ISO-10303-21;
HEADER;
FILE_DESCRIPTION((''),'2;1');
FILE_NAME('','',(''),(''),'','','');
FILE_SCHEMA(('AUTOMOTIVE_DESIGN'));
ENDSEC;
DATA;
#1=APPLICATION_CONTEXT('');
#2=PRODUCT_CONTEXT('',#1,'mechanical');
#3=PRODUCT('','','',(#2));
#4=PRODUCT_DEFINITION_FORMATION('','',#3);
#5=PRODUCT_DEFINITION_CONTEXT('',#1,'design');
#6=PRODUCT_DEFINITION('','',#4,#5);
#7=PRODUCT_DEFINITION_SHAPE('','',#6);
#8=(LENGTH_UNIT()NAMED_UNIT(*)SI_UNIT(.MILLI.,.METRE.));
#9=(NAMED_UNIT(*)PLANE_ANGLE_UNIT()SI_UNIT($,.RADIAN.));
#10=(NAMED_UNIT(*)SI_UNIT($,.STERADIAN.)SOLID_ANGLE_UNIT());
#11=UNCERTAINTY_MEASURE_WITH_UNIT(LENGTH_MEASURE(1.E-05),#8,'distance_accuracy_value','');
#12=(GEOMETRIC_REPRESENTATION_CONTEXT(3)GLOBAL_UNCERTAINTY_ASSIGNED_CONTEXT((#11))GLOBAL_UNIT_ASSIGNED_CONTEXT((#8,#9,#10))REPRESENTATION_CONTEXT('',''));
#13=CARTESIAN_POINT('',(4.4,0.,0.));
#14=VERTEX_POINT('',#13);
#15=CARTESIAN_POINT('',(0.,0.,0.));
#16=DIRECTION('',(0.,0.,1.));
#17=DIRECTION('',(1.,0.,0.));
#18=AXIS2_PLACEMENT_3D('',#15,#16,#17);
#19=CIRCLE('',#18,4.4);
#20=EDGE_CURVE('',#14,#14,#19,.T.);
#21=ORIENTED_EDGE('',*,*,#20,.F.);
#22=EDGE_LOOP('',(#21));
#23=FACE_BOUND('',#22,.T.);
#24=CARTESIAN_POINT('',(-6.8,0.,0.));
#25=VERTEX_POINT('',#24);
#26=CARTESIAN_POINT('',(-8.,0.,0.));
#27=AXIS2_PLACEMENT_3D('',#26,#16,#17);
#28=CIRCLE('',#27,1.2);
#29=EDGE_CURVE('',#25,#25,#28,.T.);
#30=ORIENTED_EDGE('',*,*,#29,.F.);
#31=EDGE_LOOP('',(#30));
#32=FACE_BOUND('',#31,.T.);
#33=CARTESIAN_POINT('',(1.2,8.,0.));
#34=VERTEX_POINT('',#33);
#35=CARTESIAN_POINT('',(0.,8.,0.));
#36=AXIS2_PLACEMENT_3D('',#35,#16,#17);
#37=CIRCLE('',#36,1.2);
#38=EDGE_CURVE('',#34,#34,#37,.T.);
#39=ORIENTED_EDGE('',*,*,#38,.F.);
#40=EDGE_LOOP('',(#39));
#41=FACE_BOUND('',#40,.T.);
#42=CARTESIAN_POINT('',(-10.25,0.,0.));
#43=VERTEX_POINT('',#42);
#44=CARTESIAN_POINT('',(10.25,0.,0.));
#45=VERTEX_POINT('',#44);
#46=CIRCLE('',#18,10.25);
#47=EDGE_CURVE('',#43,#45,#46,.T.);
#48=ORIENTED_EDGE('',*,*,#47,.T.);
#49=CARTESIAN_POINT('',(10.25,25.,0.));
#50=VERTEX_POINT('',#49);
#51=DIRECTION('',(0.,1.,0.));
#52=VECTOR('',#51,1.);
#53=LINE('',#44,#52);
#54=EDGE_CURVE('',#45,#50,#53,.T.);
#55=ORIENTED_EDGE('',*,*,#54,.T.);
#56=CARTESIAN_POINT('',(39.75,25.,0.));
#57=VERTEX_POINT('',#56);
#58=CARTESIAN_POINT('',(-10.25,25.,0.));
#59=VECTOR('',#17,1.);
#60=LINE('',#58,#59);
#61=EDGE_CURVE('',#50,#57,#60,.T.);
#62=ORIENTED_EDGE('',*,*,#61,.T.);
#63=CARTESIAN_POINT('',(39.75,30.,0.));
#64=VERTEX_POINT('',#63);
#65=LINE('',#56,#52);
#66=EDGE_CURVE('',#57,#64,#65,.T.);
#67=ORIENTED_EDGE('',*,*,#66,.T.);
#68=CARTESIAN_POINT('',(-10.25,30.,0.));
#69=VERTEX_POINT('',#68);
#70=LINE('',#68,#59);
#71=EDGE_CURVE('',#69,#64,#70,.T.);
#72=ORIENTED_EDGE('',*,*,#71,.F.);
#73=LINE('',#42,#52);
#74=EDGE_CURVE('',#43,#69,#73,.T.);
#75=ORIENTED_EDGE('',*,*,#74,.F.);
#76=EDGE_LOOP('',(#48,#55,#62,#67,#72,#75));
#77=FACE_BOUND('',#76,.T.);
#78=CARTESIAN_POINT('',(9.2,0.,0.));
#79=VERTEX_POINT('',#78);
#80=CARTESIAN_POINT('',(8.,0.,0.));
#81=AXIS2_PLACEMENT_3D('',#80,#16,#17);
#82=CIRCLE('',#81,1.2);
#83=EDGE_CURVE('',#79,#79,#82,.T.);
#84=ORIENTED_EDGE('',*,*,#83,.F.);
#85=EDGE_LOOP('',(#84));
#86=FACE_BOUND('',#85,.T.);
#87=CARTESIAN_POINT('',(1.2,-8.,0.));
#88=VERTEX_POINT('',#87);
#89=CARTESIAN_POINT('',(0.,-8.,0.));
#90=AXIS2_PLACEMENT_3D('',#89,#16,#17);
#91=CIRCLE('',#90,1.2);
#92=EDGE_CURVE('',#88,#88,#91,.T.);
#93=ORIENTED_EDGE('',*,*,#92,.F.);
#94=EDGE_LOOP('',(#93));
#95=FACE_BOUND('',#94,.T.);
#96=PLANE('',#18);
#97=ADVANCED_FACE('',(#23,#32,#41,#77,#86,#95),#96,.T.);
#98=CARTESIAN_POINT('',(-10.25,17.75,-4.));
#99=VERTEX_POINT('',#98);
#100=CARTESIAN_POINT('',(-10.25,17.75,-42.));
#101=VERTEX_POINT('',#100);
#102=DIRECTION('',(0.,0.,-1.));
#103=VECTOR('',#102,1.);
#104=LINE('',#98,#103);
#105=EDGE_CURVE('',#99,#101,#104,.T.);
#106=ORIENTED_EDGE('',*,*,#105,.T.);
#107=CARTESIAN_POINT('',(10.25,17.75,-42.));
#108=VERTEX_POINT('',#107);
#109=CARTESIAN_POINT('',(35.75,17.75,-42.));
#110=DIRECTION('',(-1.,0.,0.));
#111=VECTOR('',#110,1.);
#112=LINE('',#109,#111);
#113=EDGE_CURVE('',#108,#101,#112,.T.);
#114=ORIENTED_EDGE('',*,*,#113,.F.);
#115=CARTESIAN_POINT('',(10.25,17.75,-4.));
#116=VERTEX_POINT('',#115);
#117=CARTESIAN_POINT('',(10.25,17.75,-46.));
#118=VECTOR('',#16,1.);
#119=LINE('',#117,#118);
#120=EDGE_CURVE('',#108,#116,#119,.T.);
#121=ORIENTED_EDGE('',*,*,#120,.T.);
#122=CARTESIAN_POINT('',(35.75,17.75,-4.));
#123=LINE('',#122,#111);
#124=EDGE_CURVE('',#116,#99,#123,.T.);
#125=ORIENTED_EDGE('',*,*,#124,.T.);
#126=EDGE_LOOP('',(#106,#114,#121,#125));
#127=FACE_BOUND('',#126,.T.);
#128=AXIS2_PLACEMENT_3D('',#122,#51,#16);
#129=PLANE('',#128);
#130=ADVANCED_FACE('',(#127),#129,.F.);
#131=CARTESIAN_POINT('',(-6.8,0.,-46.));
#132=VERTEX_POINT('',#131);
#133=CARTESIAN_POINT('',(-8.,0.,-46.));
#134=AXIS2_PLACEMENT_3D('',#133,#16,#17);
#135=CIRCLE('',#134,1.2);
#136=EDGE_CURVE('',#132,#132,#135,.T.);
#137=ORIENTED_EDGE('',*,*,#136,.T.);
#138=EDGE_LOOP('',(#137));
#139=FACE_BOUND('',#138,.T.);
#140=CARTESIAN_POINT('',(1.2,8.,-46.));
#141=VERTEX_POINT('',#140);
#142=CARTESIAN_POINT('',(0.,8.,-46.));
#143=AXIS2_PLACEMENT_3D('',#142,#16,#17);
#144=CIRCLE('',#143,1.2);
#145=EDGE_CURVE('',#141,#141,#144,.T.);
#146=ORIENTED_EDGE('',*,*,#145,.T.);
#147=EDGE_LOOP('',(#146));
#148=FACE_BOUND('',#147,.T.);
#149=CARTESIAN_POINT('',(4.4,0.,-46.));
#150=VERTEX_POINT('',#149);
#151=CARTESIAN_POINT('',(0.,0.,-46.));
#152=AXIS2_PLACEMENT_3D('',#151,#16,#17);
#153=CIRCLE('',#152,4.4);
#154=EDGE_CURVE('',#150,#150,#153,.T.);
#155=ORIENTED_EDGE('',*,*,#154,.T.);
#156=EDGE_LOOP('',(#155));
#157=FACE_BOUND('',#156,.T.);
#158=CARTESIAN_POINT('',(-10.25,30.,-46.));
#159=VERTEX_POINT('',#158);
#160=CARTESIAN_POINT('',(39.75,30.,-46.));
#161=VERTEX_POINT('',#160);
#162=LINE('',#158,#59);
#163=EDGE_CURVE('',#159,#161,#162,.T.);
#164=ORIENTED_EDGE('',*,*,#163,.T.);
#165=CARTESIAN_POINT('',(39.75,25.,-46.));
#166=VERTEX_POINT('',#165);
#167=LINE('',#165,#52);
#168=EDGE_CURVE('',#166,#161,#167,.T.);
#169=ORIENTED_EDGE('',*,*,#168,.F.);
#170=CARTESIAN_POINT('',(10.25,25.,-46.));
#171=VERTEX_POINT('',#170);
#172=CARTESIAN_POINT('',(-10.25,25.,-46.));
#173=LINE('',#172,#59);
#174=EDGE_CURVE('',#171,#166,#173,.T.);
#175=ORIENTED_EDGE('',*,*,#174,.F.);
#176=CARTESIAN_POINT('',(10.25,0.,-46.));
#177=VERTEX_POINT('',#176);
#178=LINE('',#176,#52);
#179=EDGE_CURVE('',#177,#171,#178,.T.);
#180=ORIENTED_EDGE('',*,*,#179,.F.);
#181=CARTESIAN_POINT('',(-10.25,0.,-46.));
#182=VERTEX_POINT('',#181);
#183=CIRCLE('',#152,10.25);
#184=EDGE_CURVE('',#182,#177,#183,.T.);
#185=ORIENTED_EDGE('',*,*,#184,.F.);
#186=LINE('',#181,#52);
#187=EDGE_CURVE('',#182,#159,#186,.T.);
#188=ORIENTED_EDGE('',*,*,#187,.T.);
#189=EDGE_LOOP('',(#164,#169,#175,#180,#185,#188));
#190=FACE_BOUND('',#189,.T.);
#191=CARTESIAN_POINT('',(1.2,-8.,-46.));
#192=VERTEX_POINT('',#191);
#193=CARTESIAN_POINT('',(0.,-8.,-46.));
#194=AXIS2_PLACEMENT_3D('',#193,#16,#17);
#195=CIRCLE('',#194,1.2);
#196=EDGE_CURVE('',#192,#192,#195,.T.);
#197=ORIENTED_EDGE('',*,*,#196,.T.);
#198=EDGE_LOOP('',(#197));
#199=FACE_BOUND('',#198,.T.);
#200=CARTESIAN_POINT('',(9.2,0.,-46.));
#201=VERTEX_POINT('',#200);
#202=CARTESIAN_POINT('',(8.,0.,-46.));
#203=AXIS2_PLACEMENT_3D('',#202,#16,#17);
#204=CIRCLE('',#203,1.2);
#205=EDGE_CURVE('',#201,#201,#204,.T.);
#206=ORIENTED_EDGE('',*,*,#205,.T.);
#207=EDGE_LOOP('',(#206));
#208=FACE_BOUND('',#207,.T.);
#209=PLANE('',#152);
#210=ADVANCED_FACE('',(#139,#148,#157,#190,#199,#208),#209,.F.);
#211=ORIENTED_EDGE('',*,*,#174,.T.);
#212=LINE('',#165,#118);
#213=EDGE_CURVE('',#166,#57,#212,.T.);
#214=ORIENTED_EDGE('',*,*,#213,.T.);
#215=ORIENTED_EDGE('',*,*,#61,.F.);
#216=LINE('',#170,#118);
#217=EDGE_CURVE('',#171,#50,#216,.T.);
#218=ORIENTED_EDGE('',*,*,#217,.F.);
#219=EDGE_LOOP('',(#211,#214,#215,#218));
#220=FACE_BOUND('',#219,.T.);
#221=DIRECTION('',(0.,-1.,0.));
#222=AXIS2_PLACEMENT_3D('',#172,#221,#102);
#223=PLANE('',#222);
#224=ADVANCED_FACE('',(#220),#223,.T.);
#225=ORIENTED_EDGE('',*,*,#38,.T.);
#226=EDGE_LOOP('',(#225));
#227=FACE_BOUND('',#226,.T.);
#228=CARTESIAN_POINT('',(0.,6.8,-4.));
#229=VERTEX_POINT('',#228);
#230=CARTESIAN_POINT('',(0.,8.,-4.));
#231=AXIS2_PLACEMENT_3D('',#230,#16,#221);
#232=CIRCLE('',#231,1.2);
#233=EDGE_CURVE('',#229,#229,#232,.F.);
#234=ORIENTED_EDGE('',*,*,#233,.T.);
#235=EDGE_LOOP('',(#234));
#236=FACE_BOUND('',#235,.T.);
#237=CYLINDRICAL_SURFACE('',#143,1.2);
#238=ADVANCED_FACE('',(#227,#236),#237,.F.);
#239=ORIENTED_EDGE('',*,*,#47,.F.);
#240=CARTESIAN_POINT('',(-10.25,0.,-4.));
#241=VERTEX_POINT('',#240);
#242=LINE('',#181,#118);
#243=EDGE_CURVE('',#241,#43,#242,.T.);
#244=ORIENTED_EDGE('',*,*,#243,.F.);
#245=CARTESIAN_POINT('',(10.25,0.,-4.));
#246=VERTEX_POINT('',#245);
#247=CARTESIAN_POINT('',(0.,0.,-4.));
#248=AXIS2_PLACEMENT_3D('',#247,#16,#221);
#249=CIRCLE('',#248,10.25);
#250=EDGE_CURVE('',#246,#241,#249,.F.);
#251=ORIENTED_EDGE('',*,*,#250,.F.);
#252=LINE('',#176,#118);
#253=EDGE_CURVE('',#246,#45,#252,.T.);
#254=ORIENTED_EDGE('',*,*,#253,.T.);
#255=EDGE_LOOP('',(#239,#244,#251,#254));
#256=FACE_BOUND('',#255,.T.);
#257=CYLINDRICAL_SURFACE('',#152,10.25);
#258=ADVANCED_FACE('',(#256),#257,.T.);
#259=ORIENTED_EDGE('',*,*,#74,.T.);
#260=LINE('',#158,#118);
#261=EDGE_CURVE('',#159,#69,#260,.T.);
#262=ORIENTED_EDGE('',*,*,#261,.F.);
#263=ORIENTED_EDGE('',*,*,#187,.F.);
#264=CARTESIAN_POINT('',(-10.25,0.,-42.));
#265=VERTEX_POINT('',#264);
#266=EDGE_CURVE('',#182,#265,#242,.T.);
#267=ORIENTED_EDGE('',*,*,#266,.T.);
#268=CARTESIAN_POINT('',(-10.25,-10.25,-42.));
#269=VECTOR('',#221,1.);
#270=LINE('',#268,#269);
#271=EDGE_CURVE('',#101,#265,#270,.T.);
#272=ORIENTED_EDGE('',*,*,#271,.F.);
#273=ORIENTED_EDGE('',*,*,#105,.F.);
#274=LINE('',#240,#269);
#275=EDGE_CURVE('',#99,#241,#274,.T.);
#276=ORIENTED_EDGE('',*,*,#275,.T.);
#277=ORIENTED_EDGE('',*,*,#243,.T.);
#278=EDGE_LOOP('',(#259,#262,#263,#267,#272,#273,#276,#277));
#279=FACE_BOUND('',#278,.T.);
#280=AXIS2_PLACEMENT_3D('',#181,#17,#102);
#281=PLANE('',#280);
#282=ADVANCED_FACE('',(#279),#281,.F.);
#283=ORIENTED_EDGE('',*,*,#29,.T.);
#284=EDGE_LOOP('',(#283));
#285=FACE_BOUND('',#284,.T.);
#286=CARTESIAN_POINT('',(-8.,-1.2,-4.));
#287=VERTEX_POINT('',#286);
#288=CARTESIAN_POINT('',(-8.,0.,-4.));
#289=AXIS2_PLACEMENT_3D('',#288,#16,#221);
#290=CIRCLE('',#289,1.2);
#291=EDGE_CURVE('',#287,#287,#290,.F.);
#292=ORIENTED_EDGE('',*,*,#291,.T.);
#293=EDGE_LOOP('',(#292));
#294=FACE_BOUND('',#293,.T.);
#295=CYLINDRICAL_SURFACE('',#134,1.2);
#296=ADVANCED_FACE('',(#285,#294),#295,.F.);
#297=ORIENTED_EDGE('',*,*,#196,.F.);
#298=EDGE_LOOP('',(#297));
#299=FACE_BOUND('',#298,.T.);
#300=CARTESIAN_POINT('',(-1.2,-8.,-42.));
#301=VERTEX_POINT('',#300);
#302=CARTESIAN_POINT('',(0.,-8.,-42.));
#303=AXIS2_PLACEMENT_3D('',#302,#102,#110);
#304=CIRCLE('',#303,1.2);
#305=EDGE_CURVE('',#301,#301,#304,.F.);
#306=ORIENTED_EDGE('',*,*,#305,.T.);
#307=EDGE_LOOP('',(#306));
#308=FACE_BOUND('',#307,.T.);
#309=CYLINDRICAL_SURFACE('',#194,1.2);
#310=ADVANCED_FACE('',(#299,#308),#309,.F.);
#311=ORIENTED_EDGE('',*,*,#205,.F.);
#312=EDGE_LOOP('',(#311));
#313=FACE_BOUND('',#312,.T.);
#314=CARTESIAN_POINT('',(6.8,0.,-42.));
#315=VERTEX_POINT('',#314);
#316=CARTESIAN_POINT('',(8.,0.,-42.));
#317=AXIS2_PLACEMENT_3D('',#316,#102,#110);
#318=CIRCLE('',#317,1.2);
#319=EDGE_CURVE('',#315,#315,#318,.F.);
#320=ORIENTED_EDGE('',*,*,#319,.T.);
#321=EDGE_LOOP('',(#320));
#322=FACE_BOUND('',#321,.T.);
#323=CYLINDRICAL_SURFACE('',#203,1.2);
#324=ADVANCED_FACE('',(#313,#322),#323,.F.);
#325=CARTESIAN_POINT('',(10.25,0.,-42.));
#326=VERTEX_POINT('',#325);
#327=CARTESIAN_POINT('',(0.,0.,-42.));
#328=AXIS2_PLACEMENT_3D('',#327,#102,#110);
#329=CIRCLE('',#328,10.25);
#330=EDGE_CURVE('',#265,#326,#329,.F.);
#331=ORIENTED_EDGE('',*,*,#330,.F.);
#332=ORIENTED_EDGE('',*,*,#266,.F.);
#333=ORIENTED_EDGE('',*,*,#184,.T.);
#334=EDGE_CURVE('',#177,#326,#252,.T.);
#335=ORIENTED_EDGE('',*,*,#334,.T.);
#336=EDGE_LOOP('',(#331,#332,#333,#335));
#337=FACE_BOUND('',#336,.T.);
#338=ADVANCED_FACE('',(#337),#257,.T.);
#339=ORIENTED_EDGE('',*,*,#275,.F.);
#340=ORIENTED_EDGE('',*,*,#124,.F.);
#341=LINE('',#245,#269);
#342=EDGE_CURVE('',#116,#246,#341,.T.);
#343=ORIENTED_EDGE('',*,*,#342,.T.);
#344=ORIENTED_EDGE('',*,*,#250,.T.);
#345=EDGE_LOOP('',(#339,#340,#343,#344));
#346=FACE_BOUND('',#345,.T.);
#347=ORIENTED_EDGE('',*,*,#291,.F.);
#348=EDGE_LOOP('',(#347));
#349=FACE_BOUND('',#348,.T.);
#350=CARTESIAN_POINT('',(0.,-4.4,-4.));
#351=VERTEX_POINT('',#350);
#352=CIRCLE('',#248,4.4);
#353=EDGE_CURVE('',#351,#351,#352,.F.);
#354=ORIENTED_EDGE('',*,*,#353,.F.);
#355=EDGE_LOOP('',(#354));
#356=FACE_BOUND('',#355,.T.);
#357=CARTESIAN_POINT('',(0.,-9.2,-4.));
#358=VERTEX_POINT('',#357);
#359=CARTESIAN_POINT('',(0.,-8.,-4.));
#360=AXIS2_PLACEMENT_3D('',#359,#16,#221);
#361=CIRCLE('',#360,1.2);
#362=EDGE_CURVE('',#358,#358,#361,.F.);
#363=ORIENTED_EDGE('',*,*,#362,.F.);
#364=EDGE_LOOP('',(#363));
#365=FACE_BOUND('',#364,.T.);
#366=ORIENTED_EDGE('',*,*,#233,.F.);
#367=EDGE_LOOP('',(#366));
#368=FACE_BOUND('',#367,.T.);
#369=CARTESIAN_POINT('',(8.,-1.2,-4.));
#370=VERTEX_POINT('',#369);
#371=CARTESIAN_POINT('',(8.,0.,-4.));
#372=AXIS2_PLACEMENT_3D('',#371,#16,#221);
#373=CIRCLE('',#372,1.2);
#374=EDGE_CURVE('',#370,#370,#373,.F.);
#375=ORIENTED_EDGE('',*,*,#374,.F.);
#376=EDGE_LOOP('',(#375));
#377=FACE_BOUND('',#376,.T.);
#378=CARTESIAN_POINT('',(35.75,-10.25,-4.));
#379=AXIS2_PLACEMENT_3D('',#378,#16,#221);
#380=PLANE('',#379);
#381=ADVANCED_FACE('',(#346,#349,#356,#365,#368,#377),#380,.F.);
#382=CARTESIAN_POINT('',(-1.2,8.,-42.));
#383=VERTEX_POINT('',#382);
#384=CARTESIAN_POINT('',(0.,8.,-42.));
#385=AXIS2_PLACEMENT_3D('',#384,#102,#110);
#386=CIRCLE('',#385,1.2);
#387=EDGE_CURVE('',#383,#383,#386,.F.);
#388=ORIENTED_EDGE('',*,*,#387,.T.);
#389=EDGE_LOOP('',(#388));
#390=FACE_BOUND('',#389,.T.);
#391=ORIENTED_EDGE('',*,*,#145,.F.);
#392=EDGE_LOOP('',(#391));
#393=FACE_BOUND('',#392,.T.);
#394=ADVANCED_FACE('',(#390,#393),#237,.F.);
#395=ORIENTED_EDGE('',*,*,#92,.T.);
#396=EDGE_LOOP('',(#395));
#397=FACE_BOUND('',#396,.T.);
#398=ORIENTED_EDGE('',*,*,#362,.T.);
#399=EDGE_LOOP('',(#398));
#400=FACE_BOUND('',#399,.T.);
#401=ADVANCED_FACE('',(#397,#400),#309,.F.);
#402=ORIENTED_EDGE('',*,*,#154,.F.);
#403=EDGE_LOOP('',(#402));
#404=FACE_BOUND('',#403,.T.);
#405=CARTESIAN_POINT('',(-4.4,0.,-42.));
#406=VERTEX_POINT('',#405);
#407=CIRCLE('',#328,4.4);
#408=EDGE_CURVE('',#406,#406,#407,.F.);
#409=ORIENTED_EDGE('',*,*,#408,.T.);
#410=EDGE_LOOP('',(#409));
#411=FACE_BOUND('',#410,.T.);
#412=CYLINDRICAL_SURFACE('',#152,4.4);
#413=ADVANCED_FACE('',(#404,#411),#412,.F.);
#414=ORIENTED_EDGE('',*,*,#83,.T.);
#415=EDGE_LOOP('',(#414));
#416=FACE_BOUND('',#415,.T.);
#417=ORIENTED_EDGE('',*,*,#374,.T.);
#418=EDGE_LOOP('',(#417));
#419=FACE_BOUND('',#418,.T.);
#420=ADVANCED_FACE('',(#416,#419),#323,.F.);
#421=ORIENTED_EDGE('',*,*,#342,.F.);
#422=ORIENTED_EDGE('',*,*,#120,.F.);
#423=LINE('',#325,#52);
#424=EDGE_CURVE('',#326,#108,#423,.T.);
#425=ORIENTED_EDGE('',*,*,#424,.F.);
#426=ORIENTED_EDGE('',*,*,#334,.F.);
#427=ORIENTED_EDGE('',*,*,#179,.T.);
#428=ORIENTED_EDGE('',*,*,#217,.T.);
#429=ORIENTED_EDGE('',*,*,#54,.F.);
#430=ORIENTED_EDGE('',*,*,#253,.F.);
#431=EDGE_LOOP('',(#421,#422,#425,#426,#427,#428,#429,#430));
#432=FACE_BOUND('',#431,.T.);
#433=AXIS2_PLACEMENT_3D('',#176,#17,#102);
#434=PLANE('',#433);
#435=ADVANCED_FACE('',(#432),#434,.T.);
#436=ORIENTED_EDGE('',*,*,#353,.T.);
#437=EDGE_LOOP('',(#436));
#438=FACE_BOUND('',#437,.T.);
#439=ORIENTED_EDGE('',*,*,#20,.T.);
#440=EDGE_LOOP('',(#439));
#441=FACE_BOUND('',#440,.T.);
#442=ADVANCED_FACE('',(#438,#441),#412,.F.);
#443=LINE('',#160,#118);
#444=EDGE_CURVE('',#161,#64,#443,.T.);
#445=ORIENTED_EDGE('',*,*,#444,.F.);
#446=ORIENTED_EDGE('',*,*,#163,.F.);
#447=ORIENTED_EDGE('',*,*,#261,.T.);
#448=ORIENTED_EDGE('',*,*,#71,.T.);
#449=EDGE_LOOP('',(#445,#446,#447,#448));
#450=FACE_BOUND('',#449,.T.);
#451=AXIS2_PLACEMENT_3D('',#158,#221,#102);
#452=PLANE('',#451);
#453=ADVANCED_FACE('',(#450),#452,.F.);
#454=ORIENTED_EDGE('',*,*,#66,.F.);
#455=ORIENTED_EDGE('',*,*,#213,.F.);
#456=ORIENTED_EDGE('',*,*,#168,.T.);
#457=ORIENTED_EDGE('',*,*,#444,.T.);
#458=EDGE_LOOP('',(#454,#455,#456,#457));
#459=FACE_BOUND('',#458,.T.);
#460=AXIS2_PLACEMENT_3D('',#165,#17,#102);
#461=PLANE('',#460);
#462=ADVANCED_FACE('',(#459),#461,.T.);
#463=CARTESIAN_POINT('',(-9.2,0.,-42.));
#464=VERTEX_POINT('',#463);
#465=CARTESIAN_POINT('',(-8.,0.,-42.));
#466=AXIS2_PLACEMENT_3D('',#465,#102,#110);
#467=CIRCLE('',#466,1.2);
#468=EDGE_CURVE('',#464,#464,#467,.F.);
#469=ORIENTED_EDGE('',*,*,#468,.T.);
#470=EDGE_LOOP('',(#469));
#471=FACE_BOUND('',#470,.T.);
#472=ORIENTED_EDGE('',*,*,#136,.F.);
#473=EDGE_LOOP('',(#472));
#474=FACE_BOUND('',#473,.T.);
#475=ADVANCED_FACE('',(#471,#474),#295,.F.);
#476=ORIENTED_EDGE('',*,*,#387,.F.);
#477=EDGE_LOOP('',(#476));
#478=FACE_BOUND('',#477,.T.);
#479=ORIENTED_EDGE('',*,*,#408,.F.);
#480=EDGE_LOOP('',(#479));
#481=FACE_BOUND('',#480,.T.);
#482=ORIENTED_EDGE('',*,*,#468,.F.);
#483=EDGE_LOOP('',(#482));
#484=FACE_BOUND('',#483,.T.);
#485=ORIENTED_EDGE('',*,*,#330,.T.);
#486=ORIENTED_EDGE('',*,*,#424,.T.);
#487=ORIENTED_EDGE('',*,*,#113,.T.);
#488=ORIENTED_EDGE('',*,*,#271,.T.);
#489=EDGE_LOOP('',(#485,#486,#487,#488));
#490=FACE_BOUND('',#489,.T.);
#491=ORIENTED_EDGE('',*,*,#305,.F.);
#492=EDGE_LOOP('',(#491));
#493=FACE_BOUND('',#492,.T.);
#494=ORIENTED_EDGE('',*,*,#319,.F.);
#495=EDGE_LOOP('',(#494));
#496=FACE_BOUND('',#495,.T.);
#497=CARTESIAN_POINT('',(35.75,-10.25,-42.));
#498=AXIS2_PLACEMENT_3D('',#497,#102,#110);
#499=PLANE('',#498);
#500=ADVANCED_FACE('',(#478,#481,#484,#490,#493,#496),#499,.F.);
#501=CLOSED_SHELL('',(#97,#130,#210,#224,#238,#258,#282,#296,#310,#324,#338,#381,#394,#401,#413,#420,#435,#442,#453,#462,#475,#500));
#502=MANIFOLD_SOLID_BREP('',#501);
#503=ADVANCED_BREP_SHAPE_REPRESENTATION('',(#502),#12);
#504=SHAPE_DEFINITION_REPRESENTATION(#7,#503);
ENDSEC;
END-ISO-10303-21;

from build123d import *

# Parameters (mm, degrees)
SKETCH1_W           = 50
SKETCH1_H           = 5
BOSS_EXTRUDE1_DEPTH = 46
SKETCH2_W           = 38
SKETCH2_H           = 28
CUT_EXTRUDE1_DEPTH  = 46


with BuildPart() as part:
    # Sketch1 → Boss-Extrude1 (new body)
    with BuildSketch(Plane.XY):
        with BuildLine():
            ThreePointArc((-10.25, 0), (0, 10.25), (10.25, 0))
            Line((10.25, 0), (10.25, 25))
            Line((10.25, 25), (-10.25, 25))
            Line((-10.25, 25), (-10.25, 0))
        make_face()
        with BuildLine():
            Line((9.2, 0), (10.25, 0))
            ThreePointArc((10.25, 0), (0, 10.25), (-10.25, 0))
            Line((-10.25, 0), (-9.2, 0))
            ThreePointArc((-9.2, 0), (-8.816088231, 0.879772698), (-7.91, 1.196620241))
            ThreePointArc((-7.91, 1.196620241), (-5.656854249, 5.656854249), (-1.196620241, 7.91))
            ThreePointArc((-1.196620241, 7.91), (-0.045031719, 9.199154762), (1.2, 8))
            ThreePointArc((1.2, 8), (1.199154762, 7.954968281), (1.196620241, 7.91))
            ThreePointArc((1.196620241, 7.91), (5.656854249, 5.656854249), (7.91, 1.196620241))
            ThreePointArc((7.91, 1.196620241), (8.816088231, 0.879772698), (9.2, 0))
        make_face()
        with BuildLine():
            ThreePointArc((6.8, 0), (7.120227302, 0.816088231), (7.91, 1.196620241))
            ThreePointArc((7.91, 1.196620241), (5.656854249, 5.656854249), (1.196620241, 7.91))
            ThreePointArc((1.196620241, 7.91), (0, 6.8), (-1.196620241, 7.91))
            ThreePointArc((-1.196620241, 7.91), (-5.656854249, 5.656854249), (-7.91, 1.196620241))
            ThreePointArc((-7.91, 1.196620241), (-7.120227302, 0.816088231), (-6.8, 0))
            Line((-6.8, 0), (-4.4, 0))
            ThreePointArc((-4.4, 0), (0, 4.4), (4.4, 0))
            Line((4.4, 0), (6.8, 0))
        make_face()
        with BuildLine():
            ThreePointArc((-10.25, 0), (0, -10.25), (10.25, 0))
            Line((10.25, 0), (9.2, 0))
            ThreePointArc((9.2, 0), (8.816088231, -0.879772698), (7.91, -1.196620241))
            ThreePointArc((7.91, -1.196620241), (5.656854249, -5.656854249), (1.196620241, -7.91))
            ThreePointArc((1.196620241, -7.91), (1.199154762, -7.954968281), (1.2, -8))
            ThreePointArc((1.2, -8), (-0.045031719, -9.199154762), (-1.196620241, -7.91))
            ThreePointArc((-1.196620241, -7.91), (-5.656854249, -5.656854249), (-7.91, -1.196620241))
            ThreePointArc((-7.91, -1.196620241), (-8.816088231, -0.879772698), (-9.2, 0))
            Line((-9.2, 0), (-10.25, 0))
        make_face()
        with BuildLine():
            ThreePointArc((1.196620241, -7.91), (5.656854249, -5.656854249), (7.91, -1.196620241))
            ThreePointArc((7.91, -1.196620241), (7.120227302, -0.816088231), (6.8, 0))
            Line((6.8, 0), (4.4, 0))
            ThreePointArc((4.4, 0), (0, -4.4), (-4.4, 0))
            Line((-4.4, 0), (-6.8, 0))
            ThreePointArc((-6.8, 0), (-7.120227302, -0.816088231), (-7.91, -1.196620241))
            ThreePointArc((-7.91, -1.196620241), (-5.656854249, -5.656854249), (-1.196620241, -7.91))
            ThreePointArc((-1.196620241, -7.91), (0, -6.8), (1.196620241, -7.91))
        make_face()
        with Locations((14.75, 27.5)):
            Rectangle(SKETCH1_W, SKETCH1_H)
    extrude(amount=-BOSS_EXTRUDE1_DEPTH)

    # Sketch2 → Cut-Extrude1 (cut)
    with BuildSketch(Plane.ZY.offset(10.25)):
        with Locations((-23, 3.75)):
            Rectangle(SKETCH2_W, SKETCH2_H)
    extrude(amount=-CUT_EXTRUDE1_DEPTH, mode=Mode.SUBTRACT)


solid = part.part
